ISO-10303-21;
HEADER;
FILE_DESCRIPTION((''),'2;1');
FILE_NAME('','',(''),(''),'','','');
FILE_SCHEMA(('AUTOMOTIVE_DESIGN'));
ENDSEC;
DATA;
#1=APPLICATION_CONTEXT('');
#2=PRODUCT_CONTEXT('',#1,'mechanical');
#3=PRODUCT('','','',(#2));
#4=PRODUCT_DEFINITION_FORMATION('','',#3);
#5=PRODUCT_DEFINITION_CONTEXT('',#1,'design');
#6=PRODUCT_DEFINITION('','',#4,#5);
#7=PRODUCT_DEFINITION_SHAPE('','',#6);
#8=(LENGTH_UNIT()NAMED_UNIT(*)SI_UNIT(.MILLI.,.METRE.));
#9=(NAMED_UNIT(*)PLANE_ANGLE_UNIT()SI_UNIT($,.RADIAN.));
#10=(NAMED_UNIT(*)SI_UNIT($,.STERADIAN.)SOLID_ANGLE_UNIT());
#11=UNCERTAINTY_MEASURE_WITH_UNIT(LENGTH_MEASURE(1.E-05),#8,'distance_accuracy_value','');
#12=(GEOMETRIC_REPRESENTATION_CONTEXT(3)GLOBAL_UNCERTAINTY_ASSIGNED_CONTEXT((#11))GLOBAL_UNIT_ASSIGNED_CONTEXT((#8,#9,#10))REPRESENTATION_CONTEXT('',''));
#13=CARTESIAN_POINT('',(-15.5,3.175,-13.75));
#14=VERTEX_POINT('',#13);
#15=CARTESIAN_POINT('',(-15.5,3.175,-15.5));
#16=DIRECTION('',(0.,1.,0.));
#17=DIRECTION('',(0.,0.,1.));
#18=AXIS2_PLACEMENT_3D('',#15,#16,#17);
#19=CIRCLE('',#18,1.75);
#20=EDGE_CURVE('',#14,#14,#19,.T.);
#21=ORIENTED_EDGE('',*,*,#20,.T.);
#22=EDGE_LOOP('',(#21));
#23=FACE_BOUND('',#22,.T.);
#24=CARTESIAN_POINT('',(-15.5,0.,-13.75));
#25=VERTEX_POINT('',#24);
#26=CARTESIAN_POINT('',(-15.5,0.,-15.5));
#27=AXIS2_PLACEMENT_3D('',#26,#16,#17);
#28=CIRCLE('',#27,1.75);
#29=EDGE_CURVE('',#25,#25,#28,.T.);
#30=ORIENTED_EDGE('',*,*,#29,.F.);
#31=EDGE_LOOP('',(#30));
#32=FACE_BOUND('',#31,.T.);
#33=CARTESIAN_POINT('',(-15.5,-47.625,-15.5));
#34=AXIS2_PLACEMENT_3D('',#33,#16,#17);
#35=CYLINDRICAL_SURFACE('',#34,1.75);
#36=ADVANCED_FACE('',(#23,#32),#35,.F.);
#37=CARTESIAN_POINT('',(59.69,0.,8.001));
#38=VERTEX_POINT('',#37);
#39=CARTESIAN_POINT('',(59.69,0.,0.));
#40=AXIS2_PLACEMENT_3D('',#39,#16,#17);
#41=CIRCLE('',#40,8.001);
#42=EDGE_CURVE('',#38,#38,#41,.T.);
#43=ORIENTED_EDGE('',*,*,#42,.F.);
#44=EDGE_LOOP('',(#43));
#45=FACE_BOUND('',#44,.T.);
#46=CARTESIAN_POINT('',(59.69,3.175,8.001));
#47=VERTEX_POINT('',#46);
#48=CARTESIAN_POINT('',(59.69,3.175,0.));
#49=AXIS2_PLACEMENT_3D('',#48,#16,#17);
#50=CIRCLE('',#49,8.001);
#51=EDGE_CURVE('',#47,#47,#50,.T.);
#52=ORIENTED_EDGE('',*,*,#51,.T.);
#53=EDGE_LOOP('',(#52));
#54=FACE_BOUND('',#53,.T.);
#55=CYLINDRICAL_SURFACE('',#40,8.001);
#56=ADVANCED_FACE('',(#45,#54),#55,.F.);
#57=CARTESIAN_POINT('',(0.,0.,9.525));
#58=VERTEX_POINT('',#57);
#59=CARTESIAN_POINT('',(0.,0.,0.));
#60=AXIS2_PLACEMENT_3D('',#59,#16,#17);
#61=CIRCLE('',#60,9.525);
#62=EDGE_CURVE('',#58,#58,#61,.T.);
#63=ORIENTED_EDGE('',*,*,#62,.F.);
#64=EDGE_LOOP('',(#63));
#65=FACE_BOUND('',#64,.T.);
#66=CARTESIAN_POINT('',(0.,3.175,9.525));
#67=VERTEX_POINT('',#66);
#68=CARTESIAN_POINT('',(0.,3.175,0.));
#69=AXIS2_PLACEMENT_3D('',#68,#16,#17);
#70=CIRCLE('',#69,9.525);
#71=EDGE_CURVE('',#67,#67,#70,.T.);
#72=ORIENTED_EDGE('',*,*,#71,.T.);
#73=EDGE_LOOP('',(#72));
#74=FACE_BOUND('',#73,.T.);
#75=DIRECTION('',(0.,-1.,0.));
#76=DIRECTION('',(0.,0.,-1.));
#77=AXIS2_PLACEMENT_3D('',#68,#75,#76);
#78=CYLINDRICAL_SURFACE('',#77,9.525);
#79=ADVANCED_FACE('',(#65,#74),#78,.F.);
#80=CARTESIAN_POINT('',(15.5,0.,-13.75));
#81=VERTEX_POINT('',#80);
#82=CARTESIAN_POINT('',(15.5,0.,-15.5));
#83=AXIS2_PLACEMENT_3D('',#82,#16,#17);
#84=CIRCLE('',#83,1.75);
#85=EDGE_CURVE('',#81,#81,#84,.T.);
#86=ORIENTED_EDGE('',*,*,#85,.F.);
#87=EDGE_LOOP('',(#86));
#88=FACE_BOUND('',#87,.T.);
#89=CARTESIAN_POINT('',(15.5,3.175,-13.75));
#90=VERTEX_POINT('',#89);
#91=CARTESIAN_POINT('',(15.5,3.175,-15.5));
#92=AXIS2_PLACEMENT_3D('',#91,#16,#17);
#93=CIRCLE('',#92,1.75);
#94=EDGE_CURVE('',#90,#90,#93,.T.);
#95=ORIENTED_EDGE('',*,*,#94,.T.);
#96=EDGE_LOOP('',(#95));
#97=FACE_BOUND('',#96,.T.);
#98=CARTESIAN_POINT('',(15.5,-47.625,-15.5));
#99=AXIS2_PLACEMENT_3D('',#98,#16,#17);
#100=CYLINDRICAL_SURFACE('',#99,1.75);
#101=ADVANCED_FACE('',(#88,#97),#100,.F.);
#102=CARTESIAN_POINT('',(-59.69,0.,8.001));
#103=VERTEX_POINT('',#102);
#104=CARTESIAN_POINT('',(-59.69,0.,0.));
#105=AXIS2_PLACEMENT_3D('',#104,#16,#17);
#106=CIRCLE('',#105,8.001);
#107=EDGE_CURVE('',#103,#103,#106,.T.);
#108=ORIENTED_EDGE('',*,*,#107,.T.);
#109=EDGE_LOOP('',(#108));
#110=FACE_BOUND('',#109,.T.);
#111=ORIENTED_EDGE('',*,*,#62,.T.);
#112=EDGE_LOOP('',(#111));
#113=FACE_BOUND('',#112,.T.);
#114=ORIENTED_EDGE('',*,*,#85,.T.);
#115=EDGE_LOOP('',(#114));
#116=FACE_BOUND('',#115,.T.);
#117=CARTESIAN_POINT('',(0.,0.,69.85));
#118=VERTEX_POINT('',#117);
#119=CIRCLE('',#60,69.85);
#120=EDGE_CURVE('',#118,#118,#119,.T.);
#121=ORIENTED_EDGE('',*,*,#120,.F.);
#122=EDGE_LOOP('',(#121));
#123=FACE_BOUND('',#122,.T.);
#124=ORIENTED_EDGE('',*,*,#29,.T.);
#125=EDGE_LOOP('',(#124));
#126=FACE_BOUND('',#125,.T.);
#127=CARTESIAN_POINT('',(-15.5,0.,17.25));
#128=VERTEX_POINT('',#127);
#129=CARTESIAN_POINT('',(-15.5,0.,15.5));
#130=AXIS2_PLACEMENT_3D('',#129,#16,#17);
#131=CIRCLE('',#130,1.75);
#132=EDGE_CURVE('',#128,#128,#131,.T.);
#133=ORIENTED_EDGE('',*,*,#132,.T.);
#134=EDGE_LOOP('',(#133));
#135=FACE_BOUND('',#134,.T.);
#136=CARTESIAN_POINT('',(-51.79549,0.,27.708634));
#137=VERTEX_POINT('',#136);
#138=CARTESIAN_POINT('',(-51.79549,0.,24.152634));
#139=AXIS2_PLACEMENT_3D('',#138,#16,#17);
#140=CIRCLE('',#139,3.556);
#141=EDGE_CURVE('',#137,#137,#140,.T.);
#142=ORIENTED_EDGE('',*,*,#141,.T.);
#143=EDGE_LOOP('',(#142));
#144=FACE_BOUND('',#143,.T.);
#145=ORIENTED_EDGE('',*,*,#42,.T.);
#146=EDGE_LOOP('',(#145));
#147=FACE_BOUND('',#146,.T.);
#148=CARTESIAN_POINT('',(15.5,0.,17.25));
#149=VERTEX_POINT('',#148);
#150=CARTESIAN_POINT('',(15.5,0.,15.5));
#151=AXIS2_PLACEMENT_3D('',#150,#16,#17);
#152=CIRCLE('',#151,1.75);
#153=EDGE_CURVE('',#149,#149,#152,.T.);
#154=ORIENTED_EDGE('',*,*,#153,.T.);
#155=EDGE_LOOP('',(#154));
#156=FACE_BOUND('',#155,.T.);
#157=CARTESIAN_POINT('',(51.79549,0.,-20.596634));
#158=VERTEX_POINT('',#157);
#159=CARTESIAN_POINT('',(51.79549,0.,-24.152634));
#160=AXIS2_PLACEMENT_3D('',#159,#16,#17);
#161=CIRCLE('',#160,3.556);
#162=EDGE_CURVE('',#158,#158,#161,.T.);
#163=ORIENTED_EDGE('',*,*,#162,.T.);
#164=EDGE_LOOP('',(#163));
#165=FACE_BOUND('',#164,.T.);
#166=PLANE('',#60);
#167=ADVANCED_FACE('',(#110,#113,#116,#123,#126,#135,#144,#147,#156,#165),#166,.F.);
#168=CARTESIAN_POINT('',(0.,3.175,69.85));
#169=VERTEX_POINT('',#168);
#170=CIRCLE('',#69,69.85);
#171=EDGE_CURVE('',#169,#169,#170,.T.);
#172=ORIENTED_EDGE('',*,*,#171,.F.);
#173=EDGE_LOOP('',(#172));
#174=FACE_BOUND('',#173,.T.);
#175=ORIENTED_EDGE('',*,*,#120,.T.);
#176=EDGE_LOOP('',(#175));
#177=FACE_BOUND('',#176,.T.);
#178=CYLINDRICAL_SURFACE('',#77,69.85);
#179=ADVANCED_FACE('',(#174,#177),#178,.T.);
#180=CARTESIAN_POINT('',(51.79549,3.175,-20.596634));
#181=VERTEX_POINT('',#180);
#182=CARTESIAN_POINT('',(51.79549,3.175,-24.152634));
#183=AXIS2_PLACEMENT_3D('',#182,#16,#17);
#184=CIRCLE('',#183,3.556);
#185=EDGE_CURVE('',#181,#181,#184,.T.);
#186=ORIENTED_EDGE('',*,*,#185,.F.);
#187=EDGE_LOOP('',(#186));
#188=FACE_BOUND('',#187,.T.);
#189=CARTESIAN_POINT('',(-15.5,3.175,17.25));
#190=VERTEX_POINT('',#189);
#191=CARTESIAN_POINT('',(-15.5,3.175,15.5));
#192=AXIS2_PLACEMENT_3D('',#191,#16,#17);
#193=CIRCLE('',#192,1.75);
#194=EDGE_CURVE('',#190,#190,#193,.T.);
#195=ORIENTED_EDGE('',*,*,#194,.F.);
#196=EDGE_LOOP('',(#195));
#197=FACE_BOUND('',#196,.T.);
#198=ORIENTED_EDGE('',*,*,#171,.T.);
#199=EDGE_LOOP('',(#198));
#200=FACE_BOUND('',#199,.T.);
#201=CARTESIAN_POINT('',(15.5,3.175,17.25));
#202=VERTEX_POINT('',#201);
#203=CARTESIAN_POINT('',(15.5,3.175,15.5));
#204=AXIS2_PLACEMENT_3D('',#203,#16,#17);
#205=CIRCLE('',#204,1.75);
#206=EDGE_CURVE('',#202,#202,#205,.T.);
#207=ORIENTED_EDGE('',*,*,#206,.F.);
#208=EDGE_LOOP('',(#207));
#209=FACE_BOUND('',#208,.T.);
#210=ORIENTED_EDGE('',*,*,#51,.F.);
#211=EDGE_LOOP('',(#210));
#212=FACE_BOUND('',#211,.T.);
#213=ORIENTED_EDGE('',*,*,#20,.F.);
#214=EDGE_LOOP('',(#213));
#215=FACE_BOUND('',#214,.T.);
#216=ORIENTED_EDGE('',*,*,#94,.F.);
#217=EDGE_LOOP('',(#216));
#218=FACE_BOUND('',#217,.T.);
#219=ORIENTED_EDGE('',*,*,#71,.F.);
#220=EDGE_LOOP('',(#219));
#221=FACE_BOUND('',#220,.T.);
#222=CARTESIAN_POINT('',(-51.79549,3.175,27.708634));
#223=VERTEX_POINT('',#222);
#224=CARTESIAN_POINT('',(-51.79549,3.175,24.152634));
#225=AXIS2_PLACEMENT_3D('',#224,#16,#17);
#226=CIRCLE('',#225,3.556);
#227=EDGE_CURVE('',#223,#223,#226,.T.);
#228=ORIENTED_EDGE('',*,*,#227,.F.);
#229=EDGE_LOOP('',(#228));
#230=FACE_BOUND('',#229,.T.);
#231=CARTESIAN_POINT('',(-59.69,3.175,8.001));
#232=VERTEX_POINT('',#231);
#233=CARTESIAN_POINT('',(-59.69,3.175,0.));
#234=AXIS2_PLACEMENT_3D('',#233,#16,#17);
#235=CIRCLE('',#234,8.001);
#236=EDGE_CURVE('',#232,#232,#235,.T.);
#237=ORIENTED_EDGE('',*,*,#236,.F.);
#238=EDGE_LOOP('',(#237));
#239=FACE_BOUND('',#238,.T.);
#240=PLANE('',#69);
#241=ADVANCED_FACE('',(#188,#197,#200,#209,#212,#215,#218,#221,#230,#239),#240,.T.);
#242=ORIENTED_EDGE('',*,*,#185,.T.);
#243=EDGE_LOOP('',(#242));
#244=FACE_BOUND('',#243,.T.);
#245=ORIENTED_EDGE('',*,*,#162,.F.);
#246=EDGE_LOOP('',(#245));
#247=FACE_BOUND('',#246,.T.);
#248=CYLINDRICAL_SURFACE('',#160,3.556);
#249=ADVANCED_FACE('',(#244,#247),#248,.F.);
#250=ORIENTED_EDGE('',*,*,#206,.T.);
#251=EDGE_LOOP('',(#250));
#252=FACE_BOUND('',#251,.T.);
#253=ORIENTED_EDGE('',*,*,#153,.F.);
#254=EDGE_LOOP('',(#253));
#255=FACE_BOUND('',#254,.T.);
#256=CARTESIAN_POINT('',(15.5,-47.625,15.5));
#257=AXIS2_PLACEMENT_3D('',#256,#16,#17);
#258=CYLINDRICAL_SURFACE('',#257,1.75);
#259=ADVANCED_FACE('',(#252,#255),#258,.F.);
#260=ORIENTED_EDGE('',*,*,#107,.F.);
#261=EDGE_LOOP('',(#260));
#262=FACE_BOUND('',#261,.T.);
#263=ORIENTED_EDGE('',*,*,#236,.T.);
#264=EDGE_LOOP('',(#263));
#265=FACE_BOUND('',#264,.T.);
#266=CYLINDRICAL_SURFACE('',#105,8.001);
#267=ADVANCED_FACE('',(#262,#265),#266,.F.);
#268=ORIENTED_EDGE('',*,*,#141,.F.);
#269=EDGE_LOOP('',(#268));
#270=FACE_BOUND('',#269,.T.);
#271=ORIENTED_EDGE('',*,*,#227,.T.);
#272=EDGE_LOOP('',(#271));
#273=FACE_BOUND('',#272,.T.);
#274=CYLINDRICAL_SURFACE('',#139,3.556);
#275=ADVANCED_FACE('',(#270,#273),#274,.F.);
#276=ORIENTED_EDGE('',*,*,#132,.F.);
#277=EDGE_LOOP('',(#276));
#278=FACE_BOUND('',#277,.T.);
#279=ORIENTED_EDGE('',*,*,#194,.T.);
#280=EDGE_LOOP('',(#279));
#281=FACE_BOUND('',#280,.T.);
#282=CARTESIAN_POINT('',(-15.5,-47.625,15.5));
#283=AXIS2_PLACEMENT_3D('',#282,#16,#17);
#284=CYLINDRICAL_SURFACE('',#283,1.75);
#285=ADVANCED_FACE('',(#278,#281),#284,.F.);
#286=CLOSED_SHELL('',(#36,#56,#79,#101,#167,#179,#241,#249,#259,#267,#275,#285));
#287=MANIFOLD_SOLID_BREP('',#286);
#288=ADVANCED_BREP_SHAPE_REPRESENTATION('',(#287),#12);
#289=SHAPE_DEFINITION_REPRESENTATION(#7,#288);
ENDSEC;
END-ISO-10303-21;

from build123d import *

# Parameters (mm, degrees)
SKETCH1_R           = 69.85
SKETCH1_R_2         = 9.525
BOSS_EXTRUDE1_DEPTH = 3.175
SKETCH2_R           = 8.001
SKETCH2_R_2         = 3.556
CUT_EXTRUDE1_DEPTH  = 3.175
SKETCH3_R           = 1.750000056
SKETCH3_R_2         = 1.75
CUT_EXTRUDE2_DEPTH  = 50.8


with BuildPart() as part:
    # Sketch1 → Boss-Extrude1 (new body)
    with BuildSketch(Plane(origin=(0, 0, 0), x_dir=(1, 0, 0), z_dir=(0, 1, 0))):
        with Locations(Location((0, 0, 0), (0, 0, 270))):
            Circle(SKETCH1_R)
        with Locations(Location((0, 0, 0), (0, 0, 270))):
            Circle(SKETCH1_R_2, mode=Mode.SUBTRACT)
    extrude(amount=BOSS_EXTRUDE1_DEPTH)

    # Sketch2 → Cut-Extrude1 (cut)
    with BuildSketch(Plane(origin=(0, 3.175, 0), x_dir=(1, 0, 0), z_dir=(0, 1, 0))):
        with Locations(Location((-59.69, 0, 0), (0, 0, 270))):
            Circle(SKETCH2_R)
        with Locations(Location((59.69, 0, 0), (0, 0, 270))):
            Circle(SKETCH2_R)
        with Locations(Location((-51.795490029, -24.152633658, 0), (0, 0, 270))):
            Circle(SKETCH2_R_2)
        with Locations(Location((51.795490029, 24.152633658, 0), (0, 0, 270))):
            Circle(SKETCH2_R_2)
    extrude(amount=-CUT_EXTRUDE1_DEPTH, mode=Mode.SUBTRACT)

    # Sketch3 → Cut-Extrude2 (cut)
    with BuildSketch(Plane(origin=(0, 3.175, 0), x_dir=(1, 0, 0), z_dir=(0, 1, 0))):
        with Locations(Location((15.5, 15.5, 0), (0, 0, 270))):
            Circle(SKETCH3_R)
        with Locations(Location((15.5, -15.5, 0), (0, 0, 270))):
            Circle(SKETCH3_R)
        with Locations(Location((-15.5, -15.5, 0), (0, 0, 270))):
            Circle(SKETCH3_R)
        with Locations(Location((-15.5, 15.5, 0), (0, 0, 270))):
            Circle(SKETCH3_R_2)
    extrude(amount=-CUT_EXTRUDE2_DEPTH, mode=Mode.SUBTRACT)


solid = part.part
